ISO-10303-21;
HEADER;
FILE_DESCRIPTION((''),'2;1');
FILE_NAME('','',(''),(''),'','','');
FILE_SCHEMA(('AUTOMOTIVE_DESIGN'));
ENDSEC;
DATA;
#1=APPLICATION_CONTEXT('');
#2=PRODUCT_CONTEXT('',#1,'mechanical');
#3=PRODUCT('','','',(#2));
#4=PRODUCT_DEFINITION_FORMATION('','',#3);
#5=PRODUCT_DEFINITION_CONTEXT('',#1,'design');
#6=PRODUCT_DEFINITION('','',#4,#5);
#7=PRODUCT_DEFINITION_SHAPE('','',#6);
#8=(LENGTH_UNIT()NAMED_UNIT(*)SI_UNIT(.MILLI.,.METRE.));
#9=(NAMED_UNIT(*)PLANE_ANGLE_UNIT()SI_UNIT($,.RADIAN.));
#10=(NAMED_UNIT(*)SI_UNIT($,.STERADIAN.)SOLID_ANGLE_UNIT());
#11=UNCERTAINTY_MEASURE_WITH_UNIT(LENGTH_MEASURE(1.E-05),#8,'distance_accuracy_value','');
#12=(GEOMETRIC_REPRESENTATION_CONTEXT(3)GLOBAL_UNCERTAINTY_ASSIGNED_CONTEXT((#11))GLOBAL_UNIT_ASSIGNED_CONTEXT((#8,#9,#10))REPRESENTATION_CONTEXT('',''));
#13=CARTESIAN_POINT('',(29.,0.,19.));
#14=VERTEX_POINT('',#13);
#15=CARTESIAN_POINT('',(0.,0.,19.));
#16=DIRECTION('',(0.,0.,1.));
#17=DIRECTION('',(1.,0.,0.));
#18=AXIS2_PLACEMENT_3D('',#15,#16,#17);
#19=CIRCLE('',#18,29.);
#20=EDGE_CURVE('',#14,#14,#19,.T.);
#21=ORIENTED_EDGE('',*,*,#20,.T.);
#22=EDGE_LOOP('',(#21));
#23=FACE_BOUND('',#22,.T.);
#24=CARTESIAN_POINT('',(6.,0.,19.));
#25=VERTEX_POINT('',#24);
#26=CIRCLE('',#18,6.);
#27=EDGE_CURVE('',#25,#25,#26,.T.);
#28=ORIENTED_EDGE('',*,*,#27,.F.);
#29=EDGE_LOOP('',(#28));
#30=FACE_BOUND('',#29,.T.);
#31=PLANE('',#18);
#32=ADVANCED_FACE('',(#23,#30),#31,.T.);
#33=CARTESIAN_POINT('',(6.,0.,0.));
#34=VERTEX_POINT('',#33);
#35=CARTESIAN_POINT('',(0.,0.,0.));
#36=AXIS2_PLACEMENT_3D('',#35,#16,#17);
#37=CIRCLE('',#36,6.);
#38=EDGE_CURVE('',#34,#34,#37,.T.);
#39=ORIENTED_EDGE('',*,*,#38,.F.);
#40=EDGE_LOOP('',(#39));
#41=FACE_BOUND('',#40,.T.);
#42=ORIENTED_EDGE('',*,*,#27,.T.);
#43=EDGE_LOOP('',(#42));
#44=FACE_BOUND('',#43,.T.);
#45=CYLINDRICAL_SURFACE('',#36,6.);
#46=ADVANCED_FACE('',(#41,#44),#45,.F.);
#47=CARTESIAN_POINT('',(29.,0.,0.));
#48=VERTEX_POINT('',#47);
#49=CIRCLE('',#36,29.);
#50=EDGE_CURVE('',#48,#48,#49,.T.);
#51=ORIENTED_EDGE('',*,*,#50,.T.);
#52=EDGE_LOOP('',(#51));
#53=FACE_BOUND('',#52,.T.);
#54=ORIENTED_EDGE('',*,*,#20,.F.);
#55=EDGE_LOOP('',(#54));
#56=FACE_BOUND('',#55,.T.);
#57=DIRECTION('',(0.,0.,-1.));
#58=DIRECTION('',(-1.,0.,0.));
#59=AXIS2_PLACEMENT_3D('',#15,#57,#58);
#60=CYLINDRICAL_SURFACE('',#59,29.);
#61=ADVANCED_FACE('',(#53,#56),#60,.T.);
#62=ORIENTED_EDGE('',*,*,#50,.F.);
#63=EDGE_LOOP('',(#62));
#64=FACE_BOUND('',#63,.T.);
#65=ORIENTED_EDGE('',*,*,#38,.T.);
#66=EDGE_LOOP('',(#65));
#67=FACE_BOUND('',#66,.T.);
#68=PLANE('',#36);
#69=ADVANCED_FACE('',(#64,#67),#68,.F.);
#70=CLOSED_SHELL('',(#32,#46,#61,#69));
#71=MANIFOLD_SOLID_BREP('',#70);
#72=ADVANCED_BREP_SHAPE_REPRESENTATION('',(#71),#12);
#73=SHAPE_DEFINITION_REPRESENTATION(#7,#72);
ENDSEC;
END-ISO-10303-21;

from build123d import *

# Parameters (mm, degrees)
SKETCH1_R           = 29
BOSS_EXTRUDE1_DEPTH = 19
SKETCH2_R           = 6
CUT_EXTRUDE1_DEPTH  = 19


with BuildPart() as part:
    # Sketch1 → Boss-Extrude1 (new body)
    with BuildSketch(Plane.XY):
        Circle(SKETCH1_R)
    extrude(amount=BOSS_EXTRUDE1_DEPTH)

    # Sketch2 → Cut-Extrude1 (cut)
    with BuildSketch(Plane.XY.offset(19)):
        Circle(SKETCH2_R)
    extrude(amount=-CUT_EXTRUDE1_DEPTH, mode=Mode.SUBTRACT)


solid = part.part
